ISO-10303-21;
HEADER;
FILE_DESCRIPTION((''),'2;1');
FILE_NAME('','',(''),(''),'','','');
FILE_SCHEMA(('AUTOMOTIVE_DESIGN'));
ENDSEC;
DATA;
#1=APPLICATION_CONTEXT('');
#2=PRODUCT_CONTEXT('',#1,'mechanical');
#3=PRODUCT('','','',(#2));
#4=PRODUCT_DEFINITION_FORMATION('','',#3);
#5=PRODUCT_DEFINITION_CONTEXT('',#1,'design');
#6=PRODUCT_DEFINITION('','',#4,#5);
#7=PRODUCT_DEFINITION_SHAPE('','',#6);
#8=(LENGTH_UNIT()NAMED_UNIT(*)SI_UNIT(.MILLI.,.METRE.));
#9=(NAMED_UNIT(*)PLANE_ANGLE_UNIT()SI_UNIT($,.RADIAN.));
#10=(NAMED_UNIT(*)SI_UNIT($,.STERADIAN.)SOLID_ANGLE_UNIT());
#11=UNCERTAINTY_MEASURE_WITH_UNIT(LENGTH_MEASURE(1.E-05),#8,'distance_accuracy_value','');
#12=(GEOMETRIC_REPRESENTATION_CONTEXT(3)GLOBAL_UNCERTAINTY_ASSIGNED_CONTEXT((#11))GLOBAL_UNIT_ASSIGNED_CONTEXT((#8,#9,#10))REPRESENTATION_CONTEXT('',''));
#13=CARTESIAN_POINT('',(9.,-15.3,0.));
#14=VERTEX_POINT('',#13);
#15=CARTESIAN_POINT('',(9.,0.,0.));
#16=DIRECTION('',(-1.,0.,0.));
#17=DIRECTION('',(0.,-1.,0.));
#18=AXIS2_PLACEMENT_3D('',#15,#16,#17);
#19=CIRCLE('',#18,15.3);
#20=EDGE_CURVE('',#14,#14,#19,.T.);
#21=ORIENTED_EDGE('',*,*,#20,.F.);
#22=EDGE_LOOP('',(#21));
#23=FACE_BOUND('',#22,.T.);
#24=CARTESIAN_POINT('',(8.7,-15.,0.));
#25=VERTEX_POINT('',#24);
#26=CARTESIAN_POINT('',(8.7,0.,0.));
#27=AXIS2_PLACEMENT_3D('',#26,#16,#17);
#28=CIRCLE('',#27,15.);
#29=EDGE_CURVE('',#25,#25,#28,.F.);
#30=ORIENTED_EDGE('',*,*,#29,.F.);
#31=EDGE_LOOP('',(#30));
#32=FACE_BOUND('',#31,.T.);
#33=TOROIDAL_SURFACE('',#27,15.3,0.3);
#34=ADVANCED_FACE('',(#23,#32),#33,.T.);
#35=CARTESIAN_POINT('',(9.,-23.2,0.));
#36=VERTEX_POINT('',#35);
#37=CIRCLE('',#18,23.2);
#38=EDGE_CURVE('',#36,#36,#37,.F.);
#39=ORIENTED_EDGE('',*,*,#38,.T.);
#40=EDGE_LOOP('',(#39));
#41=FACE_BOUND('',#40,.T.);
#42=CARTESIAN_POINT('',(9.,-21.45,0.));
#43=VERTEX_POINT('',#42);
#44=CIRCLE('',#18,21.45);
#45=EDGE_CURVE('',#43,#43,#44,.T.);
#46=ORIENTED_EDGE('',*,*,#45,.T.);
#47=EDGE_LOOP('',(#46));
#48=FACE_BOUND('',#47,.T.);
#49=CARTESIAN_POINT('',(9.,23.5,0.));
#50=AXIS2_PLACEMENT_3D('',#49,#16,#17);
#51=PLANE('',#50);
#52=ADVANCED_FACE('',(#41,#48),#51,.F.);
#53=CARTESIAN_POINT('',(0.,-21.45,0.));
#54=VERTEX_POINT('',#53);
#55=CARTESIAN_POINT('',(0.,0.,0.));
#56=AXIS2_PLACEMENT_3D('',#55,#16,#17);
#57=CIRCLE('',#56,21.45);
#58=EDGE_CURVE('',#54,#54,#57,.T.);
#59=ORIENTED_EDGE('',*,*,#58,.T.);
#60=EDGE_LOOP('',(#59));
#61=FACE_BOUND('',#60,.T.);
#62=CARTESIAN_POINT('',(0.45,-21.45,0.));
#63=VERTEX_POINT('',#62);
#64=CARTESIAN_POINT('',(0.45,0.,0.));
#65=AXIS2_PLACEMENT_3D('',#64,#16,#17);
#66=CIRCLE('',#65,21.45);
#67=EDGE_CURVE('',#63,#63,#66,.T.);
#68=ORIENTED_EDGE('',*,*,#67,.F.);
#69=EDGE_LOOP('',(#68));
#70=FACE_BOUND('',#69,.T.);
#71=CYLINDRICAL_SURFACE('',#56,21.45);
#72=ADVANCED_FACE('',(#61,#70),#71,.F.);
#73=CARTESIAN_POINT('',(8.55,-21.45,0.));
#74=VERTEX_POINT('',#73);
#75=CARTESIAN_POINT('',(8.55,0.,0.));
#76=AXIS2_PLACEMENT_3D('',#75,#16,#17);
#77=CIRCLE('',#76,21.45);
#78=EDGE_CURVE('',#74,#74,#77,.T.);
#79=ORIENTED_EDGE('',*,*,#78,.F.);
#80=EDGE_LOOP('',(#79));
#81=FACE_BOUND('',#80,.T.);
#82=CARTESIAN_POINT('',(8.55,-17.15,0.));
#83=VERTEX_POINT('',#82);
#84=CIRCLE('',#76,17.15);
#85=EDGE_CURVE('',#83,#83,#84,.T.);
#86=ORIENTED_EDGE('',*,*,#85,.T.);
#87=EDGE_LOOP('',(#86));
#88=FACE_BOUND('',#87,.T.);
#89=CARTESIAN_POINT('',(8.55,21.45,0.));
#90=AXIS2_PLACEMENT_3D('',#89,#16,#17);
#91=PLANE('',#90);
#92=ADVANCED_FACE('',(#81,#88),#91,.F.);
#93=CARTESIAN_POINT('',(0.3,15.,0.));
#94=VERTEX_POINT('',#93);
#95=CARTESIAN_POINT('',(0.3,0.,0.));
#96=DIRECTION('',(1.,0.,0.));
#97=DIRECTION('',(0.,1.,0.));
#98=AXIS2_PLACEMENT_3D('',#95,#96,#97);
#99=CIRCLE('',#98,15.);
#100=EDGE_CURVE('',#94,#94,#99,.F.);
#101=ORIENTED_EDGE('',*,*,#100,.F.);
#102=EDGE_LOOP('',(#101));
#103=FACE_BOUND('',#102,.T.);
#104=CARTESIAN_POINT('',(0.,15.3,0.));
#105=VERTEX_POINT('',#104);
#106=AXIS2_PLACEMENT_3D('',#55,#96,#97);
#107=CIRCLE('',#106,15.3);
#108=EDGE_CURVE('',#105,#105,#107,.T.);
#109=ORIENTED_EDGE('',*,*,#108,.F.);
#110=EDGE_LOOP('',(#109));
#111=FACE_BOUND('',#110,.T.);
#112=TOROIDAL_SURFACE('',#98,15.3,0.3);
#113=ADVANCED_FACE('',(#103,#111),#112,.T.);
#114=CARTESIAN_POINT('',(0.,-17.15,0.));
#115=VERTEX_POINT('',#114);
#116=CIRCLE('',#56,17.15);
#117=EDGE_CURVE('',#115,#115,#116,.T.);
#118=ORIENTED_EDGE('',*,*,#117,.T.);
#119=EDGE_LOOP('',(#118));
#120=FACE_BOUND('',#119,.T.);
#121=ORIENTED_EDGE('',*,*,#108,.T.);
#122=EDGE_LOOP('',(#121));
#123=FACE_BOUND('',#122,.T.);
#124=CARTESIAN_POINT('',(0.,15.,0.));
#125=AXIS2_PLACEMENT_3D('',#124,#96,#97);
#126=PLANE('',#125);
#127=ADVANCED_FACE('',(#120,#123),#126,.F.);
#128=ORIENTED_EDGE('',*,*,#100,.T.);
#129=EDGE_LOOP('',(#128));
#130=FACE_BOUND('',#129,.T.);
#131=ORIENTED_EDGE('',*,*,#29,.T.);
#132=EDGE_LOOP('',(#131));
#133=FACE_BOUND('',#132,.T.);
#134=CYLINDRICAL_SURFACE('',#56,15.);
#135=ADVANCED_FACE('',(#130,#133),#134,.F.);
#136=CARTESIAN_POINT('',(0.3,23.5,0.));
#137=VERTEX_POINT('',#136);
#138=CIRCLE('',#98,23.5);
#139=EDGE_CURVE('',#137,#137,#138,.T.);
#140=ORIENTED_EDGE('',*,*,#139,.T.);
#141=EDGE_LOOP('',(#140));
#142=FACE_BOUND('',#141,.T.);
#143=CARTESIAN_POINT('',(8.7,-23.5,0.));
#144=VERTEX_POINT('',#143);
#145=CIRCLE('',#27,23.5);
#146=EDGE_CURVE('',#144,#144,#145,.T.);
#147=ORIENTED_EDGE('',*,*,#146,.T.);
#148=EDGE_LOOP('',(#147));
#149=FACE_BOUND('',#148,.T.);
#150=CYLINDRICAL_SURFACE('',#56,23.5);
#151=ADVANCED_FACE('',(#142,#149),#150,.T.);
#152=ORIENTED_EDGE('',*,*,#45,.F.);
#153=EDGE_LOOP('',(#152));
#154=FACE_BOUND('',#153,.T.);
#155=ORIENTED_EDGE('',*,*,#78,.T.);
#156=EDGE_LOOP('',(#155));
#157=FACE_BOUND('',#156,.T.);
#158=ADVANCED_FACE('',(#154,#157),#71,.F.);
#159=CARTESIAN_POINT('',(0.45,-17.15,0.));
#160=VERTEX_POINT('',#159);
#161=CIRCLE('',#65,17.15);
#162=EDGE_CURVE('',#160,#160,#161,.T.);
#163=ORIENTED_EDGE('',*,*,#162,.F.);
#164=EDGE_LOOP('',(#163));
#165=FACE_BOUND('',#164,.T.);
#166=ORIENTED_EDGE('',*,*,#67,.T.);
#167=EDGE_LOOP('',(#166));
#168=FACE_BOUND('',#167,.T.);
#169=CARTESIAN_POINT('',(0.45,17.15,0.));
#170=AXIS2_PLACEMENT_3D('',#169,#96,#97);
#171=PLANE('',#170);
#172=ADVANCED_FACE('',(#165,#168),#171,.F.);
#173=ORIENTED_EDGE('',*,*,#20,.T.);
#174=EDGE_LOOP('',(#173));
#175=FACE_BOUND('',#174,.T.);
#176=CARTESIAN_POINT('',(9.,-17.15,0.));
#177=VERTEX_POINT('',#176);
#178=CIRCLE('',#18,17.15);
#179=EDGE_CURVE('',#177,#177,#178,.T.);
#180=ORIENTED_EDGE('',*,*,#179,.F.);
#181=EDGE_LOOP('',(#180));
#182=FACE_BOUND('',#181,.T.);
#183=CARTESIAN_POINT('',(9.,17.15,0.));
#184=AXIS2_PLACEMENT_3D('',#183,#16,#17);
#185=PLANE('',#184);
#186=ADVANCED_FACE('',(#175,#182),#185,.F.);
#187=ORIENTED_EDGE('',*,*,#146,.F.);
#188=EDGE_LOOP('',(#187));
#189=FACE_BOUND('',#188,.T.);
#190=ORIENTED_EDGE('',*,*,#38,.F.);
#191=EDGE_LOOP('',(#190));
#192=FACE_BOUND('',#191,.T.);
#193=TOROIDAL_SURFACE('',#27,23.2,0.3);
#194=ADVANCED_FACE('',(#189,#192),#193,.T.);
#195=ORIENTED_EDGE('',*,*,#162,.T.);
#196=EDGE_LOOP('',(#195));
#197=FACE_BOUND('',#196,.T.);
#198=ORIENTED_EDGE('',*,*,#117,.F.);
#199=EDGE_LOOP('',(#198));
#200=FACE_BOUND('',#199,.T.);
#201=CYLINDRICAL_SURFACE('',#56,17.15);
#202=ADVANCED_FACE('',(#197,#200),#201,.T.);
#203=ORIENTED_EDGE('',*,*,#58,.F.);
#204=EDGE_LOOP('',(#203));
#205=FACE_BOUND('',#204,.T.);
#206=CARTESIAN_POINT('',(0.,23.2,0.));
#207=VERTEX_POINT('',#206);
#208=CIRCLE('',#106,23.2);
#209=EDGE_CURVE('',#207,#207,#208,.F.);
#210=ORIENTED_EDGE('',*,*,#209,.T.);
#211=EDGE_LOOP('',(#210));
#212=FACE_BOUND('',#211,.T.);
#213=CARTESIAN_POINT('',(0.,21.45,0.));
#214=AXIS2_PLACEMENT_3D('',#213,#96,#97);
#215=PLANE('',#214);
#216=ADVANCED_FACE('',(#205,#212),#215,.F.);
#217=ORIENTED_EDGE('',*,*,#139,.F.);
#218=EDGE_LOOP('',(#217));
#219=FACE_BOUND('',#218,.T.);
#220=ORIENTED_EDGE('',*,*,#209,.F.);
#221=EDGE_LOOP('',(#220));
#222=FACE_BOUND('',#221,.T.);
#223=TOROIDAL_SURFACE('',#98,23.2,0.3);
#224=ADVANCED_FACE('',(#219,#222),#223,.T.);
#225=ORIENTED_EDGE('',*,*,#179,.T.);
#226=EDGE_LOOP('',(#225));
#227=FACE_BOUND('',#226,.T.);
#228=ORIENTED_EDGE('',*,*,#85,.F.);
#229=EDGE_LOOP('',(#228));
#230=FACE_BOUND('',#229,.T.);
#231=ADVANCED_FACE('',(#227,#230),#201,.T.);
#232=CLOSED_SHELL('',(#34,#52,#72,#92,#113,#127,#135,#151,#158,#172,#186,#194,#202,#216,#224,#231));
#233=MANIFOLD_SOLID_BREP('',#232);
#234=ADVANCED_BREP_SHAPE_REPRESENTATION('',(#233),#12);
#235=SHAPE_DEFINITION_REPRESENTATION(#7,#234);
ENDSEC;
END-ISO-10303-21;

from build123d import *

# Parameters (mm, degrees)
FILLET1_R = 0.3


with BuildPart() as part:
    # Sketch1 → Revolve1 (revolve)
    with BuildSketch(Plane.XY, mode=Mode.PRIVATE) as revolve1_sk:
        Polygon((0, 15), (0, 17.15), (0.45, 17.15), (0.45, 21.45), (0, 21.45), (0, 23.5), (9, 23.5), (9, 21.45), (8.55, 21.45), (8.55, 17.15), (9, 17.15), (9, 15), align=None)
    revolve(revolve1_sk.sketch.rotate(Axis((0, 0, 0), (1, 0, 0)), 180), axis=Axis((0, 0, 0), (1, 0, 0)))

    # Fillet1
    fillet1_edges = [part.edges().sort_by_distance(p)[0] for p in [
        (9, 23.5, 0),
        (0, 23.5, 0),
        (0, 15, 0),
        (9, 15, 0),
    ]]
    fillet(fillet1_edges, radius=FILLET1_R)


solid = part.part
